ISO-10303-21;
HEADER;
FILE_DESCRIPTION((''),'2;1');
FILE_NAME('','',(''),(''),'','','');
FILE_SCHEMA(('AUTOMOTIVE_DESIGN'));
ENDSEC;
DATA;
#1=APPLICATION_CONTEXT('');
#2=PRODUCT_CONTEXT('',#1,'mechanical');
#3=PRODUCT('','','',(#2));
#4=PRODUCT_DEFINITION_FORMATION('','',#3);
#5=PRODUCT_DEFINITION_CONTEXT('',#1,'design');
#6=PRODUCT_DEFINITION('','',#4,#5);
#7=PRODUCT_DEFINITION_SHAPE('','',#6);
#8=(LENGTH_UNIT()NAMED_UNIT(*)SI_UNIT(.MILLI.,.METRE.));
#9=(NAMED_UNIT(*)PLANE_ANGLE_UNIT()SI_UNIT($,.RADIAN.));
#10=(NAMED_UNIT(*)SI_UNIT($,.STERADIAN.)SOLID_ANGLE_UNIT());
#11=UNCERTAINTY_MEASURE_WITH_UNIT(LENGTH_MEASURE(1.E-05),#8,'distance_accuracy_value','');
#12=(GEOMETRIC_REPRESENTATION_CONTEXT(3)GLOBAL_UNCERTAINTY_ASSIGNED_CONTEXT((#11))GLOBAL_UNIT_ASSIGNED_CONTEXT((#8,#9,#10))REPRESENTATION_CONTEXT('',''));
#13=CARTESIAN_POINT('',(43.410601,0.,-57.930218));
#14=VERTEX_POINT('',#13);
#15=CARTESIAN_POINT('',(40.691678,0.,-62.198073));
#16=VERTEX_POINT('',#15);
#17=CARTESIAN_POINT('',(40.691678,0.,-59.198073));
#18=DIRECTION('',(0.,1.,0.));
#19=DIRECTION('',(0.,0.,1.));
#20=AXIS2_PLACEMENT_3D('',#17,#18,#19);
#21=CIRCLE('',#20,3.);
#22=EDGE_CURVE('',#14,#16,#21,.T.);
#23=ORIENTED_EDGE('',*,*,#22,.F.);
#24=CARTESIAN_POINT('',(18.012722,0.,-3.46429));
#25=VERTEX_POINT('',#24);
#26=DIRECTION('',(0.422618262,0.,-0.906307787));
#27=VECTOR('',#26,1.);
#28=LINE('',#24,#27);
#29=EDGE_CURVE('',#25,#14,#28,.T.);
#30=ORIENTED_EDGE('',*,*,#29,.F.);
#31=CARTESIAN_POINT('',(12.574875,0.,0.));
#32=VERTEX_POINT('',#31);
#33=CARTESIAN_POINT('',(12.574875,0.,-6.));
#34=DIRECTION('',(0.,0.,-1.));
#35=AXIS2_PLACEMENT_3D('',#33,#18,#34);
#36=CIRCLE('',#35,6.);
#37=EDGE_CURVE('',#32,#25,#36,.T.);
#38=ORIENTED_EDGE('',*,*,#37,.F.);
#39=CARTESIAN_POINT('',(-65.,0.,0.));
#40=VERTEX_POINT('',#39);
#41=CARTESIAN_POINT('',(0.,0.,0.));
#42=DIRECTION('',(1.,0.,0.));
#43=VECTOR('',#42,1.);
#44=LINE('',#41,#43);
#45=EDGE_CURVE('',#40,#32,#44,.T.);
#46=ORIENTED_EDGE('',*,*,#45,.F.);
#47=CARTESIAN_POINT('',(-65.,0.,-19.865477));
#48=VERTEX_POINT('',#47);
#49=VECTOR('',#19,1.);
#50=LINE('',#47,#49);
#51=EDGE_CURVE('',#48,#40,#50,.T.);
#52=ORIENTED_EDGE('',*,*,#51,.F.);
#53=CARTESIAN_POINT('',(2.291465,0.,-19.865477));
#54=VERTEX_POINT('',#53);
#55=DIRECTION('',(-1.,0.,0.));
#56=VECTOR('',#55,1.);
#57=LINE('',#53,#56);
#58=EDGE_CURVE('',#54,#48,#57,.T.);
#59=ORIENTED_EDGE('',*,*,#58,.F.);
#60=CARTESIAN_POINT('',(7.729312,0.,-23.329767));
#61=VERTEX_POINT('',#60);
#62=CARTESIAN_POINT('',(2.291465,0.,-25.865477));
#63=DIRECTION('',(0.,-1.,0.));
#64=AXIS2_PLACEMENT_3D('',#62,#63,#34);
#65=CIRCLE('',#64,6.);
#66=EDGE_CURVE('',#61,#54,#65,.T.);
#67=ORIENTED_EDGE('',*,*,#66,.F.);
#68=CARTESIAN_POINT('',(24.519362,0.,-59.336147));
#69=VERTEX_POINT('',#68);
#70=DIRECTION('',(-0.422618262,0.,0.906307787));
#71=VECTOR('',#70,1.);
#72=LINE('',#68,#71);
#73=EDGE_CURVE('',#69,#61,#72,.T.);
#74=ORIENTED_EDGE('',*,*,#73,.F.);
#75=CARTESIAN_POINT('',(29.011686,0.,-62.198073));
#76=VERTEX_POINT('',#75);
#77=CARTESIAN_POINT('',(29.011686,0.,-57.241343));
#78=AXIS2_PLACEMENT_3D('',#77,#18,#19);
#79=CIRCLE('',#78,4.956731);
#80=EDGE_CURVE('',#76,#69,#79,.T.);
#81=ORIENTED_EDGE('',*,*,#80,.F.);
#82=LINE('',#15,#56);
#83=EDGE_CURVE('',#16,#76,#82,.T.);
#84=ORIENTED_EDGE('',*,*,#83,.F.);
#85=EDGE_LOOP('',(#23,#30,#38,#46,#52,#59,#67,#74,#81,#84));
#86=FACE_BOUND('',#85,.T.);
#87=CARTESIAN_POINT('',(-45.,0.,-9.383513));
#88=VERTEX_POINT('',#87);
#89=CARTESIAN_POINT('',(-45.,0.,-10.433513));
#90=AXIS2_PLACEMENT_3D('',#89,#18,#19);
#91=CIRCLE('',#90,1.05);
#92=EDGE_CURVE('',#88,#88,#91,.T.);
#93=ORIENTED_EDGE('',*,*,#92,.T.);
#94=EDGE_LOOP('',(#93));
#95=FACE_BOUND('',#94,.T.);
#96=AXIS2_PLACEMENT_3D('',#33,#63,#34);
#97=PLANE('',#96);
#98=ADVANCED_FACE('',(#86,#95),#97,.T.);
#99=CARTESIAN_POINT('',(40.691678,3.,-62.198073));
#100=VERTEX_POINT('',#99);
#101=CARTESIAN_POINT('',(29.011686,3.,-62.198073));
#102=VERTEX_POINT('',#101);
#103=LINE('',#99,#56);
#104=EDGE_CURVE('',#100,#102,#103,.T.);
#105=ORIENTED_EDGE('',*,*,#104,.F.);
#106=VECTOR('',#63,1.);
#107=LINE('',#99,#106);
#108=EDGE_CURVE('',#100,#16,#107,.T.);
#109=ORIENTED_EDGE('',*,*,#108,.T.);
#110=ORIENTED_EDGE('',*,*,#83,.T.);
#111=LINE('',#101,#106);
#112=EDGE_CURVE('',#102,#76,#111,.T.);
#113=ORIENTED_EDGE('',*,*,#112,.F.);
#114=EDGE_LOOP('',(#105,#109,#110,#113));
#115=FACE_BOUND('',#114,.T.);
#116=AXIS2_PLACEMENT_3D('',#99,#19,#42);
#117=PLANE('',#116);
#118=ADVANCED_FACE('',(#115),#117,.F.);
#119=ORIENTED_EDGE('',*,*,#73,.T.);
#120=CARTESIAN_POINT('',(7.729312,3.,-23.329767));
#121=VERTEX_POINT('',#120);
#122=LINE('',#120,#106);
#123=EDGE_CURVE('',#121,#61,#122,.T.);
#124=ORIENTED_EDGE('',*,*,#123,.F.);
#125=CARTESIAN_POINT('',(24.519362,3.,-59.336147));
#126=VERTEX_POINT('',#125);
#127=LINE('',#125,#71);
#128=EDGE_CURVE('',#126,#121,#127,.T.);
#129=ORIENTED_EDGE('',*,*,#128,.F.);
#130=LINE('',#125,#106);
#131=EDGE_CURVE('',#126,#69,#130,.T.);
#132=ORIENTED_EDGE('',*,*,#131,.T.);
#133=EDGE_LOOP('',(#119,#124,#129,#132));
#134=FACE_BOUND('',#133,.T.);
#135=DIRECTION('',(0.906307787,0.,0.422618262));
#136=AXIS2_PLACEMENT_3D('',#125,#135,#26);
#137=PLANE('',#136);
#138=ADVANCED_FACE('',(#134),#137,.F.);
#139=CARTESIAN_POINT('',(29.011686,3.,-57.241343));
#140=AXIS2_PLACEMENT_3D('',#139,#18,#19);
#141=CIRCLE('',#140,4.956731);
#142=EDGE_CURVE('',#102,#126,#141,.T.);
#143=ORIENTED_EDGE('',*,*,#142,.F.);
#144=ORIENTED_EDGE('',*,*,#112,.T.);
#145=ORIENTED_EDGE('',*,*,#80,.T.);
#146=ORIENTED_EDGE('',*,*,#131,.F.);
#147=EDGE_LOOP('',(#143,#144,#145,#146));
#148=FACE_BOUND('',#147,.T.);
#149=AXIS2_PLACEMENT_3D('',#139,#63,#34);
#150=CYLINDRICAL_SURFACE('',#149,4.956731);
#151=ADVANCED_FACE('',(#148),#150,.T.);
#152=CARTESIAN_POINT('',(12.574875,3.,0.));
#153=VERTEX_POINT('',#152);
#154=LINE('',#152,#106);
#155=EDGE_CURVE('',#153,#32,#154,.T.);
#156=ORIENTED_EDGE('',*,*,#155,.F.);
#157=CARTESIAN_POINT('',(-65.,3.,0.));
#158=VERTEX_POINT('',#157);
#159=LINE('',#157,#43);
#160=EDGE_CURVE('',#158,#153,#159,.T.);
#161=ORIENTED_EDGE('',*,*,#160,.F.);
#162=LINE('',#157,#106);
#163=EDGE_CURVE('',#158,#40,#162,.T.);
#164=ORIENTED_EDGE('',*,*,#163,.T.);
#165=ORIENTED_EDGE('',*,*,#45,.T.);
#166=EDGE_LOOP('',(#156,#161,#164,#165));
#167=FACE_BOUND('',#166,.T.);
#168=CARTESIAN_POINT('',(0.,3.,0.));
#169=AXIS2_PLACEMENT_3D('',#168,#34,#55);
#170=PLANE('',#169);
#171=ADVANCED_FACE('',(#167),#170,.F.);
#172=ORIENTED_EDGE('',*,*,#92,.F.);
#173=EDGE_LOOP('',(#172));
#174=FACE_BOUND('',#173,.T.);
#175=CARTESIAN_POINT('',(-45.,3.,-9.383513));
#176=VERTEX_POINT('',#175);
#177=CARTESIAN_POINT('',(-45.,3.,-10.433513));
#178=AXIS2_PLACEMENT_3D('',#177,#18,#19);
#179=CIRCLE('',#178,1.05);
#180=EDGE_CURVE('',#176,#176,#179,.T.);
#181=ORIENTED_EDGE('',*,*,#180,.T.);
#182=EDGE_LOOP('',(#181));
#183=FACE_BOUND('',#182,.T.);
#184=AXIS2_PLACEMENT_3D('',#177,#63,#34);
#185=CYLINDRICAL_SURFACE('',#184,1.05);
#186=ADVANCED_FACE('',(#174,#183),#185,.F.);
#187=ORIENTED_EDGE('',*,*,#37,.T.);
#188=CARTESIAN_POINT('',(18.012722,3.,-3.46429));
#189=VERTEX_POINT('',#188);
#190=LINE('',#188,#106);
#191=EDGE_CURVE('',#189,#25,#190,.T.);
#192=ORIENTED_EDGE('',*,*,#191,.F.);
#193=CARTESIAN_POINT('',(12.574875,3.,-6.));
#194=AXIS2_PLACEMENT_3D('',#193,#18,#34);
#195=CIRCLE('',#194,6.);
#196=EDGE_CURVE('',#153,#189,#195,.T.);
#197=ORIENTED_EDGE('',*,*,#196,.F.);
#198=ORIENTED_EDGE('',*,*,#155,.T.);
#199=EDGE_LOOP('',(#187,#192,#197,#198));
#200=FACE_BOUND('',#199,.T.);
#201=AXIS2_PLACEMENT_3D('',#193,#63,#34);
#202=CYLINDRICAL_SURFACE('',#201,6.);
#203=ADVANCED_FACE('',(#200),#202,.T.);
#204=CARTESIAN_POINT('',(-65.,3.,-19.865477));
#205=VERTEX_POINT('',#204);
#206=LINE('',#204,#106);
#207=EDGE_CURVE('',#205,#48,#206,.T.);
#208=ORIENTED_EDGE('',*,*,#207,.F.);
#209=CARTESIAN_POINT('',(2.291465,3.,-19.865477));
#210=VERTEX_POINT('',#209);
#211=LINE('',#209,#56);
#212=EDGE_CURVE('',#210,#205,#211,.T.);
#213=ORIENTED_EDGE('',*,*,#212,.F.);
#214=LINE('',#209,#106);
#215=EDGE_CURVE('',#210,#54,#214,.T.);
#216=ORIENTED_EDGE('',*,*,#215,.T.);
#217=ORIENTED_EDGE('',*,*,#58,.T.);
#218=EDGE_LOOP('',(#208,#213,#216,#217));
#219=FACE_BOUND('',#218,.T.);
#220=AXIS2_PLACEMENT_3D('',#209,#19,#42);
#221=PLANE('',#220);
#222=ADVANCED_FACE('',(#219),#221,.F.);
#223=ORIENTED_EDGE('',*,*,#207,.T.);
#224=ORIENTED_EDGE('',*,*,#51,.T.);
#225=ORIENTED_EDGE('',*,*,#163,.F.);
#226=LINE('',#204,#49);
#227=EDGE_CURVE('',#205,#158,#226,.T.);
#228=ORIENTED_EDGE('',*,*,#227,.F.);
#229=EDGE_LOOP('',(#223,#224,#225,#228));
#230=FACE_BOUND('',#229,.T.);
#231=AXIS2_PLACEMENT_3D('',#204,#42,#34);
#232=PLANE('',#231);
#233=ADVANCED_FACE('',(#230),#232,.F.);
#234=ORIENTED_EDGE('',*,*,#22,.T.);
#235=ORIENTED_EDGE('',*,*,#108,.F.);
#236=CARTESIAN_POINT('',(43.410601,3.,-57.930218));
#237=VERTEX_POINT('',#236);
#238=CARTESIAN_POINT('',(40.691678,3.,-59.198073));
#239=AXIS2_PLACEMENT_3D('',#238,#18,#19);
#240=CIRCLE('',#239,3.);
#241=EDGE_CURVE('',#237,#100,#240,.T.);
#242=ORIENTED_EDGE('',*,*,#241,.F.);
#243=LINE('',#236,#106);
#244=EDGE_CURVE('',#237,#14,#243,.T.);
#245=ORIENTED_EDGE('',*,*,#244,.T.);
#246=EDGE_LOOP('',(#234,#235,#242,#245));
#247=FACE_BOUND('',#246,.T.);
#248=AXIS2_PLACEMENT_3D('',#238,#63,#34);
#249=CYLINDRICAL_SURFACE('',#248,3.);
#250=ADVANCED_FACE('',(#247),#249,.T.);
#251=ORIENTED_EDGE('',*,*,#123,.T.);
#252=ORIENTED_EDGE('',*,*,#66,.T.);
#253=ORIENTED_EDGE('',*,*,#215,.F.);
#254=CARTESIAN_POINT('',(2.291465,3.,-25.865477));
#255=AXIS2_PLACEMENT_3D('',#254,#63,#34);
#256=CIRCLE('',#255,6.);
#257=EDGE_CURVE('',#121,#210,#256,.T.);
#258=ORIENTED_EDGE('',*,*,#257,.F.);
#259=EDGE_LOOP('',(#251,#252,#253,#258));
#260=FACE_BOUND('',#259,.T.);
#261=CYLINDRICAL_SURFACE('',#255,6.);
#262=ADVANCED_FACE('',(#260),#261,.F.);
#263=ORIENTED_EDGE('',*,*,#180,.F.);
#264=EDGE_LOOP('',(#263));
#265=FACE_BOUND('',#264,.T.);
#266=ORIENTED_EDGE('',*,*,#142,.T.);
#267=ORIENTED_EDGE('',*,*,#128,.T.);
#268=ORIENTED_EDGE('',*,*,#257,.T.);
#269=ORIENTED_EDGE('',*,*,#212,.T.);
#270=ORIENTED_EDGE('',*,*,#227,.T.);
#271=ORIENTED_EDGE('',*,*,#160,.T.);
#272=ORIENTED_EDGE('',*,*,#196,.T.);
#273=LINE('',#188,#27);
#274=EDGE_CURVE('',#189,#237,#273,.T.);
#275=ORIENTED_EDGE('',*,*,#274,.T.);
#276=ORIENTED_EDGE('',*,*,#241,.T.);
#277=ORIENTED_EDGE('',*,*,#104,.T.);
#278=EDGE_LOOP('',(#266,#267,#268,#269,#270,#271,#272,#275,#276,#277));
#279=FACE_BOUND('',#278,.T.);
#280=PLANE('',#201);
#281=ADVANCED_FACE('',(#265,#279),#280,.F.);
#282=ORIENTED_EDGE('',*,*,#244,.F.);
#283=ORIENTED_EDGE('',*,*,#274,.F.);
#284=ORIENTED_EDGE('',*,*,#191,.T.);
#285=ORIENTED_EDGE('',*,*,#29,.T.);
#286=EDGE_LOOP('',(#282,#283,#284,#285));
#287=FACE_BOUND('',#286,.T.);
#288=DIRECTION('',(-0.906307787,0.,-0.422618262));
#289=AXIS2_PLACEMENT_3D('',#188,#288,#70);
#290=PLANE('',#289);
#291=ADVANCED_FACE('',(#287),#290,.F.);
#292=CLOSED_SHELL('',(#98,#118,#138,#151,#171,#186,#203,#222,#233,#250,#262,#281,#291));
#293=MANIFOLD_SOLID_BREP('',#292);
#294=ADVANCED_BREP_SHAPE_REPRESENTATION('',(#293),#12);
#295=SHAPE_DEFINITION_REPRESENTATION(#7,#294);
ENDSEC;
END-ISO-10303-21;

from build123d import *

# Parameters (mm, degrees)
ESBO_O1_R                = 1.05
RESSALTO_EXTRUS_O1_DEPTH = 3


with BuildPart() as part:
    # Esboço1 → Ressalto-extrusão1 (new body)
    with BuildSketch(Plane(origin=(0, 0, 0), x_dir=(1, 0, 0), z_dir=(0, 1, 0))):
        with BuildLine():
            Line((-65, 19.865476825), (-65, 0))
            Line((-65, 0), (0, 0))
            Line((0, 0), (12.574875441, 0))
            ThreePointArc((12.574875441, 0), (15.798673091, 0.939651325), (18.012722163, 3.46429043))
            Line((18.012722163, 3.46429043), (43.410601428, 57.93021828))
            ThreePointArc((43.410601428, 57.93021828), (43.221852405, 60.80997189), (40.691678067, 62.198073065))
            Line((40.691678067, 62.198073065), (29.011685815, 62.198073065))
            ThreePointArc((29.011685815, 62.198073065), (26.348436448, 61.421806665), (24.519362347, 59.336147382))
            Line((24.519362347, 59.336147382), (7.729311551, 23.329767255))
            ThreePointArc((7.729311551, 23.329767255), (5.515262479, 20.80512815), (2.291464829, 19.865476825))
            Line((2.291464829, 19.865476825), (-65, 19.865476825))
        make_face()
        with Locations(Location((-45, 10.43351307, 0), (0, 0, 270))):
            Circle(ESBO_O1_R, mode=Mode.SUBTRACT)
    extrude(amount=RESSALTO_EXTRUS_O1_DEPTH)


solid = part.part
